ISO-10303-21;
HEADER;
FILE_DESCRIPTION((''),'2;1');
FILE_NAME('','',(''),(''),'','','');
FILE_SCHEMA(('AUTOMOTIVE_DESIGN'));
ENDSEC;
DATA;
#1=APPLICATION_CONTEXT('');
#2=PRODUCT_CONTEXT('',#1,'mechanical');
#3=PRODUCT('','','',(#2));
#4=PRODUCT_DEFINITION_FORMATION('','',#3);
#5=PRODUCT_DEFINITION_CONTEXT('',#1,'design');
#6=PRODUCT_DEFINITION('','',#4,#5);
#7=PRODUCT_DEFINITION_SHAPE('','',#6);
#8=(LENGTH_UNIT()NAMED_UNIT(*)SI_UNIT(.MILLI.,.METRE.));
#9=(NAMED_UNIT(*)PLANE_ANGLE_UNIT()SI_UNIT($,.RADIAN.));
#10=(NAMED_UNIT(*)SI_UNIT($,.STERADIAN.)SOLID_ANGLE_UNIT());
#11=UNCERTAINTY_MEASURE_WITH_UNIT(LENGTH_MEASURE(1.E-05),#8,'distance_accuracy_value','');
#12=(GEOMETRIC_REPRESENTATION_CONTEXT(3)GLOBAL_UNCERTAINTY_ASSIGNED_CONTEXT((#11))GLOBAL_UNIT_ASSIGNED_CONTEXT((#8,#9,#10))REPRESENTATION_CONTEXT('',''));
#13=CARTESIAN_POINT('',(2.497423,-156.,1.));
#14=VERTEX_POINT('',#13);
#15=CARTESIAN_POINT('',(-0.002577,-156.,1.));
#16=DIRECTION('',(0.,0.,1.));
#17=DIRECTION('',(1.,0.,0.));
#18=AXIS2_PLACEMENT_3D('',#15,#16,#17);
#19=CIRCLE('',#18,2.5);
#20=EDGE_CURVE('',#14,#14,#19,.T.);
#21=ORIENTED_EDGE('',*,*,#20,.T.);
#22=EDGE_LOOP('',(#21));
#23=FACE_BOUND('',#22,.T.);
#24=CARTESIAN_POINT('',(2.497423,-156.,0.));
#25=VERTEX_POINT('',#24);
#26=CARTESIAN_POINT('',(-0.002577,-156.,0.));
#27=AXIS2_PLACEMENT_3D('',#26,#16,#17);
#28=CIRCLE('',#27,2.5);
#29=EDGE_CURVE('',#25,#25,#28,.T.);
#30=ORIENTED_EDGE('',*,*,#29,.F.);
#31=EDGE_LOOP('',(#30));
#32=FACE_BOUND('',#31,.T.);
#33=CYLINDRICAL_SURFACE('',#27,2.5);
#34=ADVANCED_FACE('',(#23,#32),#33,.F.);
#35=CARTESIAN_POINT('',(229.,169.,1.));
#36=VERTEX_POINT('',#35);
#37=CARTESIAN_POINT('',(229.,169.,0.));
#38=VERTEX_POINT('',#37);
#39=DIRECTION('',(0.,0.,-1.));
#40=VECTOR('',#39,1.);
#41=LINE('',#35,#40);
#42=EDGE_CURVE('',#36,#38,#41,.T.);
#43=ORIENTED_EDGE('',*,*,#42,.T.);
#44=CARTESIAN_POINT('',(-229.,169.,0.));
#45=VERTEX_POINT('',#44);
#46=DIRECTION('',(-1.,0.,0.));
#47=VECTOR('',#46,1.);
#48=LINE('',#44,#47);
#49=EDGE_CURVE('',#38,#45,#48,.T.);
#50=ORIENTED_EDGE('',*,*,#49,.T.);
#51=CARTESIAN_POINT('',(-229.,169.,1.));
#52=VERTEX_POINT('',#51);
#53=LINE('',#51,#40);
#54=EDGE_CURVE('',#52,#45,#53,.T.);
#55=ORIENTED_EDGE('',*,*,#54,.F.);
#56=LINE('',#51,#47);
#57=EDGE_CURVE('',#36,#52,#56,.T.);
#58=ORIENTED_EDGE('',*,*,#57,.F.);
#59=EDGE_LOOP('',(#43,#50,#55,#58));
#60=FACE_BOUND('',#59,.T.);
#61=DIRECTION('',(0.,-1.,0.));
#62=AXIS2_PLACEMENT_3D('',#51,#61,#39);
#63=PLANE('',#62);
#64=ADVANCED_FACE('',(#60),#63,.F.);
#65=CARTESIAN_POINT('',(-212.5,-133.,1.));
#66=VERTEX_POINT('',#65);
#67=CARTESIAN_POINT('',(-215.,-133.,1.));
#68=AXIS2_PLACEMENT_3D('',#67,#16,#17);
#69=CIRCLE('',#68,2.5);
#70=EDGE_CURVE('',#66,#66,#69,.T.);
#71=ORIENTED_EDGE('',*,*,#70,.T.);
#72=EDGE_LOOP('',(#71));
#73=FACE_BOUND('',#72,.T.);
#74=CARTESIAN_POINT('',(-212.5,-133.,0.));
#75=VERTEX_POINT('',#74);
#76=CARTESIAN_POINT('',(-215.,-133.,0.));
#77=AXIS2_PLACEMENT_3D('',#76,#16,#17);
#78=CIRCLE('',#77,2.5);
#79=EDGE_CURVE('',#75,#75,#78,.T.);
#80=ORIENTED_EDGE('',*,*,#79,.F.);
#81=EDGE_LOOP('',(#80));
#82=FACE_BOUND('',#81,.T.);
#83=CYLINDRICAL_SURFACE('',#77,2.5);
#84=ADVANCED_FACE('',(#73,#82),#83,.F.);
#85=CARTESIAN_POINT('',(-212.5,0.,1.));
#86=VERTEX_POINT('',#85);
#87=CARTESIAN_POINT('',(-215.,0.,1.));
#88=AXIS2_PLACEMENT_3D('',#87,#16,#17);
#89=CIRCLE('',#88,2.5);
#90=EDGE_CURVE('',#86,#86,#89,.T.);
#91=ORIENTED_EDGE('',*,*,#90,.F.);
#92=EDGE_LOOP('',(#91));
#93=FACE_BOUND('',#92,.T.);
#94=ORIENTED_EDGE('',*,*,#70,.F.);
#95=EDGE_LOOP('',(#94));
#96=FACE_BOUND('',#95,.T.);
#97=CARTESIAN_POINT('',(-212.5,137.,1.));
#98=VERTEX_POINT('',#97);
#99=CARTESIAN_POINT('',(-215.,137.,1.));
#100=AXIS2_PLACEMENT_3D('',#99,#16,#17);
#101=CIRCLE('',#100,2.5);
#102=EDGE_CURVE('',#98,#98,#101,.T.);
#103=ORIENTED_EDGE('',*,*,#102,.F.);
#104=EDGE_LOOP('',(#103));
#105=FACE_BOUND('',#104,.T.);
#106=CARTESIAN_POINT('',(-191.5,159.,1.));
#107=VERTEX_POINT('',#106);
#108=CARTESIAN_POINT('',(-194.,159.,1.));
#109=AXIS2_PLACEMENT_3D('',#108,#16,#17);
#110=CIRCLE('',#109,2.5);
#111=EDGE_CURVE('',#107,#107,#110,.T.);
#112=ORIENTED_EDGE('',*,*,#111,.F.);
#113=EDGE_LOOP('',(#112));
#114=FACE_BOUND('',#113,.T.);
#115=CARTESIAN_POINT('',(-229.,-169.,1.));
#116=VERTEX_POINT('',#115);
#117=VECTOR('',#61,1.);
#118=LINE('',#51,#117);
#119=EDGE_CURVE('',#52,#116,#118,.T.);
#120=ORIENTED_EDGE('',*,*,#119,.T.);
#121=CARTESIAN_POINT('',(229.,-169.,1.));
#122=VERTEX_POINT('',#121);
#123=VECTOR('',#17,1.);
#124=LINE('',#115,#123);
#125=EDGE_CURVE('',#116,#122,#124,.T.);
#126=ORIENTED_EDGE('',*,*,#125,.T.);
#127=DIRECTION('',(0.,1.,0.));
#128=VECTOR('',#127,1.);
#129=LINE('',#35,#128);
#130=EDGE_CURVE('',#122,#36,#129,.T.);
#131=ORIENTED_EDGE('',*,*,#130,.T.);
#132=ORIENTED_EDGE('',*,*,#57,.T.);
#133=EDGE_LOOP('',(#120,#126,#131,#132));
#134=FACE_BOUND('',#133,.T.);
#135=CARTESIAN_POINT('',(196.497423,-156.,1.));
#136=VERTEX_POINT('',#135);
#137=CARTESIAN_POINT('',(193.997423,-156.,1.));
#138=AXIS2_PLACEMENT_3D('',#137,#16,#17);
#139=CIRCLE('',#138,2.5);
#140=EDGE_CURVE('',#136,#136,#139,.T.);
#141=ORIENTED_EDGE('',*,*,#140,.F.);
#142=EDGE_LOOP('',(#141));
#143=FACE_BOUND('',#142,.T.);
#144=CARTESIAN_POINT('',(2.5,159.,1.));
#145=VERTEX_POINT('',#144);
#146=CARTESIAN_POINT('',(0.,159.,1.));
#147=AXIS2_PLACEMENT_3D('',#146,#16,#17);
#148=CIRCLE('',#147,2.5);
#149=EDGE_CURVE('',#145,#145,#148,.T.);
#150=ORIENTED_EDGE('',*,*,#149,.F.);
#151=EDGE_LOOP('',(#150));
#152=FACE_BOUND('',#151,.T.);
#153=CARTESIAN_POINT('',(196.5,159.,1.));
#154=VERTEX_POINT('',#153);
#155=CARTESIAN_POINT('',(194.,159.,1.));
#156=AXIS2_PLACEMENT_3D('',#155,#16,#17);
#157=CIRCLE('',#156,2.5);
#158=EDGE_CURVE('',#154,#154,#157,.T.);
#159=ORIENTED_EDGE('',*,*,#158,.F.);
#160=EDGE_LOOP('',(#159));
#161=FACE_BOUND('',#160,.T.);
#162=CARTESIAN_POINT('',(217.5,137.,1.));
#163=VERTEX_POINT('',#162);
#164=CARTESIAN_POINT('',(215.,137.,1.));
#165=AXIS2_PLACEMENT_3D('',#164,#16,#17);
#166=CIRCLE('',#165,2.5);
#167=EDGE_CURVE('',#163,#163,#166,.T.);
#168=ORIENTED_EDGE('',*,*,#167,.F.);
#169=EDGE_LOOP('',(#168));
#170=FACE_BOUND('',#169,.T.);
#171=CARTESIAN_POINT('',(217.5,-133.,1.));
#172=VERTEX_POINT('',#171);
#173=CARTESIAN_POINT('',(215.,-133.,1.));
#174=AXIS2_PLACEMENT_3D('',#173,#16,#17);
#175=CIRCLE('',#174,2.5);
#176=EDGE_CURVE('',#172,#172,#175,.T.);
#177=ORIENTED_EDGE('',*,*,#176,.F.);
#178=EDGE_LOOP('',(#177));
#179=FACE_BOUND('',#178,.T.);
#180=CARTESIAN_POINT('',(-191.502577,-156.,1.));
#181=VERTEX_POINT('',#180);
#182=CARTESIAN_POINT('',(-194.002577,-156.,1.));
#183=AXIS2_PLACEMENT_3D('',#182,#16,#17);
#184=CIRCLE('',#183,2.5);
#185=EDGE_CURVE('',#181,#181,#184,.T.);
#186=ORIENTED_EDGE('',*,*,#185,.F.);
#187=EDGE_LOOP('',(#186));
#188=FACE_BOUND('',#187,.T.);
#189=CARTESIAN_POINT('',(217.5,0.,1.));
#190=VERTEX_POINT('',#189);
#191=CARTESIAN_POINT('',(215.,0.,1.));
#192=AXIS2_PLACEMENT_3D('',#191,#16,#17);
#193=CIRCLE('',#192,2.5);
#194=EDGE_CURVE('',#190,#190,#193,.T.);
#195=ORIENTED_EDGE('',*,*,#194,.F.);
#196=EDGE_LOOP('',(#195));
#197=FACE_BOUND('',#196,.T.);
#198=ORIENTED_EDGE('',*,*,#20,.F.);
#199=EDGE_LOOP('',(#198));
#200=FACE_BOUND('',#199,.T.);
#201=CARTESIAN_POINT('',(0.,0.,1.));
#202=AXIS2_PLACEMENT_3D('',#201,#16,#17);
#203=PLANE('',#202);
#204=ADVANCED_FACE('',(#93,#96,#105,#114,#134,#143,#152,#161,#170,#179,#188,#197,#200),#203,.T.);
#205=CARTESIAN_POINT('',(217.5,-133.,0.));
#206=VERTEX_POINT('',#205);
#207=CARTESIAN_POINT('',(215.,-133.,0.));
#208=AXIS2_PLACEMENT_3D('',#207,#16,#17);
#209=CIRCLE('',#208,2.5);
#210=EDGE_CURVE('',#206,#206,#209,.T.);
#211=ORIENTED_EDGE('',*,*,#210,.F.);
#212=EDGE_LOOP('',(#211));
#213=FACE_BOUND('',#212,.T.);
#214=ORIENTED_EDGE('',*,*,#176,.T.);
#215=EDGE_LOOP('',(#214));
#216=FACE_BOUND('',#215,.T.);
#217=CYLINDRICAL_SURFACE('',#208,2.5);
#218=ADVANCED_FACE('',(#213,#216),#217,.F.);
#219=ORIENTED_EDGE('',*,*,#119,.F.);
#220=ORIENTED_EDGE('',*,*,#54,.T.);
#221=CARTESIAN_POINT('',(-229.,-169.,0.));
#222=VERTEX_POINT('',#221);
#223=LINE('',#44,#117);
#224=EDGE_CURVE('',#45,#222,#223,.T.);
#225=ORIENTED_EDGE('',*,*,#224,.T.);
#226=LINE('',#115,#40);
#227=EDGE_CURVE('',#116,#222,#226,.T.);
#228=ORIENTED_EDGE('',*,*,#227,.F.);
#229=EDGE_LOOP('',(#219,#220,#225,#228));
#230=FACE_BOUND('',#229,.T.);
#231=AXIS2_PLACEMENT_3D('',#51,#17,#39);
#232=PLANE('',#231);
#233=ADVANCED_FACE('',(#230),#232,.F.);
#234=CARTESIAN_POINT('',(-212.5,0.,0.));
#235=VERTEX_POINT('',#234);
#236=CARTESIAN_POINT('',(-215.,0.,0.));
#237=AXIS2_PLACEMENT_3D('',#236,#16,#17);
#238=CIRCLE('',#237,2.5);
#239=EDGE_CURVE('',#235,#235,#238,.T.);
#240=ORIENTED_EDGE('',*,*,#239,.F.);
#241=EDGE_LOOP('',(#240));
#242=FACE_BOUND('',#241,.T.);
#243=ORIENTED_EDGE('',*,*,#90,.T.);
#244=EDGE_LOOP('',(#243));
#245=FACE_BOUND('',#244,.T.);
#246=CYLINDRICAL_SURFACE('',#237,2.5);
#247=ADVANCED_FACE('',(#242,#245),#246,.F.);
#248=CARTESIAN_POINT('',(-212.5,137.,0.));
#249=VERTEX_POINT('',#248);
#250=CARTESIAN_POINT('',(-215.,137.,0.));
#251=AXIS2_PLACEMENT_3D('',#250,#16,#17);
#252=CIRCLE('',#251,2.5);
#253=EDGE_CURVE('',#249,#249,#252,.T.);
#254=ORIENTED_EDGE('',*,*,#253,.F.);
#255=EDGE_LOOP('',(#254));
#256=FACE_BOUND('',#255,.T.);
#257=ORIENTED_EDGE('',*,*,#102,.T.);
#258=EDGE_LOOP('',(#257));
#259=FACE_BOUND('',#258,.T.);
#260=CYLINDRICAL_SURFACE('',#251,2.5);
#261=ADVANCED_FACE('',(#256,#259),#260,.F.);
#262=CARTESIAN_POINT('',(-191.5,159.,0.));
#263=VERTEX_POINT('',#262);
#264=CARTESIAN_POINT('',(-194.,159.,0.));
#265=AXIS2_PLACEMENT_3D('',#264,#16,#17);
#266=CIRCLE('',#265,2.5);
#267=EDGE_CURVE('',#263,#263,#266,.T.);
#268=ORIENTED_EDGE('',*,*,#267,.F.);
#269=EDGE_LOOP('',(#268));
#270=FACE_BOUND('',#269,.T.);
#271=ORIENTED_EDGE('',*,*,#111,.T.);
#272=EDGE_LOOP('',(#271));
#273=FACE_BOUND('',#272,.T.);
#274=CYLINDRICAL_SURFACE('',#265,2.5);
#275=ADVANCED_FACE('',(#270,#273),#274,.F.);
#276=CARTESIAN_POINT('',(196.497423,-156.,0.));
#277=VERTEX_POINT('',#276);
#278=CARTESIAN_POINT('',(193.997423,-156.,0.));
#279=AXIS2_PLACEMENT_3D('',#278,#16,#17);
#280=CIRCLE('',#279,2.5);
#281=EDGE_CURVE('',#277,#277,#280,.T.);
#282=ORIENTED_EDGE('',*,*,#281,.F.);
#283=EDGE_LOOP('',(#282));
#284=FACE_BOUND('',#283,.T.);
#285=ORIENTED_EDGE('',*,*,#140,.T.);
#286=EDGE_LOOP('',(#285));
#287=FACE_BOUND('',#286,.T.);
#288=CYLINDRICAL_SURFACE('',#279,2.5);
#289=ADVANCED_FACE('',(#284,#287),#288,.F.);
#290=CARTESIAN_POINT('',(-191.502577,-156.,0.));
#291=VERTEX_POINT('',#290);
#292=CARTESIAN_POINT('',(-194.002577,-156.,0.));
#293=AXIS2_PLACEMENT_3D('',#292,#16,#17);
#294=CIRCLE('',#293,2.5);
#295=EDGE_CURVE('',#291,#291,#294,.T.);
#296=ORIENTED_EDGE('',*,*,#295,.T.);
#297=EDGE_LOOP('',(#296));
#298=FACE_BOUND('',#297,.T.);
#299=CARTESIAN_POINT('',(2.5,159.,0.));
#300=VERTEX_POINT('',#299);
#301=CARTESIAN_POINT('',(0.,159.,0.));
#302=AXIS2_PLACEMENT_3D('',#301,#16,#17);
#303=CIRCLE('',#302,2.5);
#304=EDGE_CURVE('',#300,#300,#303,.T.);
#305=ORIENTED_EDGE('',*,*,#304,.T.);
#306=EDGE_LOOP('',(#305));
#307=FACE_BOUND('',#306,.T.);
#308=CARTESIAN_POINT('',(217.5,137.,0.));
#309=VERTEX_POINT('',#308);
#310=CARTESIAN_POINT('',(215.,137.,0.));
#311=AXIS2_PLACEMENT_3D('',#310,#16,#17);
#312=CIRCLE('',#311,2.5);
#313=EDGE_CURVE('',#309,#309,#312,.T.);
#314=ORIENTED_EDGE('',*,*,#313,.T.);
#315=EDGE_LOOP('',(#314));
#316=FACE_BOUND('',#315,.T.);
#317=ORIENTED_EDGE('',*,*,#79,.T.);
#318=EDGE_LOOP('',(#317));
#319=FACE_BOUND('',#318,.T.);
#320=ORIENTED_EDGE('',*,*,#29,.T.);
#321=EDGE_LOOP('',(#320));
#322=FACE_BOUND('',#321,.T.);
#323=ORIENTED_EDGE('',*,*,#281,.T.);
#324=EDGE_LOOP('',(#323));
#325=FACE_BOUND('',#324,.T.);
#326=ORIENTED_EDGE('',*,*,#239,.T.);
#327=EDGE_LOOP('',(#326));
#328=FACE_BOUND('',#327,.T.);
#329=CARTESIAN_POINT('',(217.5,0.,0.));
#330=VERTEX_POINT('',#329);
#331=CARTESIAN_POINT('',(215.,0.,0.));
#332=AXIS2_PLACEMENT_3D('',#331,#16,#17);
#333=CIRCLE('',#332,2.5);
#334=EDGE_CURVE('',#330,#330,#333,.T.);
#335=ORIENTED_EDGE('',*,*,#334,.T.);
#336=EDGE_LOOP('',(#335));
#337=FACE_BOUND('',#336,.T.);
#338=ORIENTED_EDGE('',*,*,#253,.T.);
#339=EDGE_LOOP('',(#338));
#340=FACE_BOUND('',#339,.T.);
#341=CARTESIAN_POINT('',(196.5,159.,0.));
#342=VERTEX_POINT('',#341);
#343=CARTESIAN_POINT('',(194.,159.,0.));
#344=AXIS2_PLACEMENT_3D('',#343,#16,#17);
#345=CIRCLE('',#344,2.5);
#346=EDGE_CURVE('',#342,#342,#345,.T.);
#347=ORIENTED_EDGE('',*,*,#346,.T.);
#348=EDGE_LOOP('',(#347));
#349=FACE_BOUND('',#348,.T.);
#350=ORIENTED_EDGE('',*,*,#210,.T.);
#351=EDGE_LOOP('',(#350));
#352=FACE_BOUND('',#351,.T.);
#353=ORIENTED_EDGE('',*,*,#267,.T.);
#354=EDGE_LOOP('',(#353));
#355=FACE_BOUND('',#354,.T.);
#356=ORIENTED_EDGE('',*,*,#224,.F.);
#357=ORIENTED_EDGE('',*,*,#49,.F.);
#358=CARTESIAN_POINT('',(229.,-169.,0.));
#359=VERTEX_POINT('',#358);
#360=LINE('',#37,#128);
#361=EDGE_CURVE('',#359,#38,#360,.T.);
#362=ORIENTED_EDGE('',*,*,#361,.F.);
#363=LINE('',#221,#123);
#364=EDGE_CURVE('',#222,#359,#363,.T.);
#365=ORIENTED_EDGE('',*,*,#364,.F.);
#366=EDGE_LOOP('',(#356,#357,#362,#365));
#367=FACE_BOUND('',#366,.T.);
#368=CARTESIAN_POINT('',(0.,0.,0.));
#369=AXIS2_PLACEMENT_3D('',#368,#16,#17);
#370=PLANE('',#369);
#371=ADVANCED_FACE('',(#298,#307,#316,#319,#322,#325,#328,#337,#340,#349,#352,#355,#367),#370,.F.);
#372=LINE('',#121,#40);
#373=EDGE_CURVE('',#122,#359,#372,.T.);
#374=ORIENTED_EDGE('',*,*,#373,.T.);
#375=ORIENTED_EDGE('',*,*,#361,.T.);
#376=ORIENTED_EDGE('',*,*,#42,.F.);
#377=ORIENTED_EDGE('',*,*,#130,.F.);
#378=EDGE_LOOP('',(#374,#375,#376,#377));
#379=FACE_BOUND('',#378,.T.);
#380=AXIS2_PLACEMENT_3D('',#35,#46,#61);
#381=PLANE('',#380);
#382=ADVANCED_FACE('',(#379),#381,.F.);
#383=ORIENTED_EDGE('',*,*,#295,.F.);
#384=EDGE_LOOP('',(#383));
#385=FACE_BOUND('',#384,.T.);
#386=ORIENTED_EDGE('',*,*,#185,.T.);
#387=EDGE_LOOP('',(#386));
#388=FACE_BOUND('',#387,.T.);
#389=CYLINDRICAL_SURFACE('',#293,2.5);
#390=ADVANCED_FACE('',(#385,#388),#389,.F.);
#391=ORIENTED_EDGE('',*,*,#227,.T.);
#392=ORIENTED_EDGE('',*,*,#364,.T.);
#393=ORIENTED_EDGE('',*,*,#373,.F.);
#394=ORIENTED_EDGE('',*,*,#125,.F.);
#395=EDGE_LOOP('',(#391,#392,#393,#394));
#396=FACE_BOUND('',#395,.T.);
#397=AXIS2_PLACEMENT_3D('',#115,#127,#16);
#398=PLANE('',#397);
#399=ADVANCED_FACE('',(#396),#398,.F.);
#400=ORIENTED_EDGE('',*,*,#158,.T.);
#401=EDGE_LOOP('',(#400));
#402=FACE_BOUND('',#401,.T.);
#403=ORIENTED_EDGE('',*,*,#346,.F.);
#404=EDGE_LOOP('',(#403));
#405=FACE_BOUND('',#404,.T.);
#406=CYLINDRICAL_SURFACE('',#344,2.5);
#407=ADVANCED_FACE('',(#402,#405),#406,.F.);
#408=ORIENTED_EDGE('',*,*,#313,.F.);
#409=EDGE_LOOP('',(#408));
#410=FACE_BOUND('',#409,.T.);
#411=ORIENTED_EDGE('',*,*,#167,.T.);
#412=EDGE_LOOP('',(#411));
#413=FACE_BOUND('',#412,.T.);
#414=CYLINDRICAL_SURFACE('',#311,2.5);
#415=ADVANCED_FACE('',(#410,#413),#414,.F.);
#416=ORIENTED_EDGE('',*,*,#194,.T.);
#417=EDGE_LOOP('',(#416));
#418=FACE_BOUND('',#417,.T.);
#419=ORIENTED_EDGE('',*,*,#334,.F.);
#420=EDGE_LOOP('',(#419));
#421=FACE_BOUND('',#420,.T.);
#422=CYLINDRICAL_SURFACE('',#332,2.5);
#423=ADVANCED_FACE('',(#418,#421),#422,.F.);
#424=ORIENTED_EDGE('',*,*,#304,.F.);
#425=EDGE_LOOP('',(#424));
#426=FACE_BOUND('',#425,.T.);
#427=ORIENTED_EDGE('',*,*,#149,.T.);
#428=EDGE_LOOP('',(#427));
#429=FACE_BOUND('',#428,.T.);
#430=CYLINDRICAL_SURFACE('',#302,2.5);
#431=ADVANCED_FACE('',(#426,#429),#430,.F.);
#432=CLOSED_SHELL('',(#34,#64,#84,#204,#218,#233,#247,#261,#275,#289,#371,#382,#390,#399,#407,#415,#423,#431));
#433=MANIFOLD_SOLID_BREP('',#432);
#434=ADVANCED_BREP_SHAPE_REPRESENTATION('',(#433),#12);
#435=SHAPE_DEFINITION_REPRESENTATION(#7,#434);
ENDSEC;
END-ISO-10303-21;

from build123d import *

# Parameters (mm, degrees)
SKETCH1_W           = 458
SKETCH1_H           = 338
BOSS_EXTRUDE1_DEPTH = 1
SKETCH2_R           = 2.5
CUT_EXTRUDE1_DEPTH  = 285.610259829


with BuildPart() as part:
    # Sketch1 → Boss-Extrude1 (new body)
    with BuildSketch(Plane.XY):
        Rectangle(SKETCH1_W, SKETCH1_H)
    extrude(amount=BOSS_EXTRUDE1_DEPTH)

    # Sketch2 → Cut-Extrude1 (cut, through all)
    with BuildSketch(Plane.XY.offset(1)):
        with Locations((-194, 159)):
            Circle(SKETCH2_R)
        with Locations((-194.002577337, -156)):
            Circle(SKETCH2_R)
        with Locations((193.997422663, -156)):
            Circle(SKETCH2_R)
        with Locations((194, 159)):
            Circle(SKETCH2_R)
        with Locations((-215, 0)):
            Circle(SKETCH2_R)
        with Locations((-215, -133)):
            Circle(SKETCH2_R)
        with Locations((-215, 137)):
            Circle(SKETCH2_R)
        with Locations((215, 0)):
            Circle(SKETCH2_R)
        with Locations((215, -133)):
            Circle(SKETCH2_R)
        with Locations((215, 137)):
            Circle(SKETCH2_R)
        with Locations((0, 159)):
            Circle(SKETCH2_R)
        with Locations((-0.002577337, -156)):
            Circle(SKETCH2_R)
    extrude(amount=-CUT_EXTRUDE1_DEPTH, mode=Mode.SUBTRACT)


solid = part.part
